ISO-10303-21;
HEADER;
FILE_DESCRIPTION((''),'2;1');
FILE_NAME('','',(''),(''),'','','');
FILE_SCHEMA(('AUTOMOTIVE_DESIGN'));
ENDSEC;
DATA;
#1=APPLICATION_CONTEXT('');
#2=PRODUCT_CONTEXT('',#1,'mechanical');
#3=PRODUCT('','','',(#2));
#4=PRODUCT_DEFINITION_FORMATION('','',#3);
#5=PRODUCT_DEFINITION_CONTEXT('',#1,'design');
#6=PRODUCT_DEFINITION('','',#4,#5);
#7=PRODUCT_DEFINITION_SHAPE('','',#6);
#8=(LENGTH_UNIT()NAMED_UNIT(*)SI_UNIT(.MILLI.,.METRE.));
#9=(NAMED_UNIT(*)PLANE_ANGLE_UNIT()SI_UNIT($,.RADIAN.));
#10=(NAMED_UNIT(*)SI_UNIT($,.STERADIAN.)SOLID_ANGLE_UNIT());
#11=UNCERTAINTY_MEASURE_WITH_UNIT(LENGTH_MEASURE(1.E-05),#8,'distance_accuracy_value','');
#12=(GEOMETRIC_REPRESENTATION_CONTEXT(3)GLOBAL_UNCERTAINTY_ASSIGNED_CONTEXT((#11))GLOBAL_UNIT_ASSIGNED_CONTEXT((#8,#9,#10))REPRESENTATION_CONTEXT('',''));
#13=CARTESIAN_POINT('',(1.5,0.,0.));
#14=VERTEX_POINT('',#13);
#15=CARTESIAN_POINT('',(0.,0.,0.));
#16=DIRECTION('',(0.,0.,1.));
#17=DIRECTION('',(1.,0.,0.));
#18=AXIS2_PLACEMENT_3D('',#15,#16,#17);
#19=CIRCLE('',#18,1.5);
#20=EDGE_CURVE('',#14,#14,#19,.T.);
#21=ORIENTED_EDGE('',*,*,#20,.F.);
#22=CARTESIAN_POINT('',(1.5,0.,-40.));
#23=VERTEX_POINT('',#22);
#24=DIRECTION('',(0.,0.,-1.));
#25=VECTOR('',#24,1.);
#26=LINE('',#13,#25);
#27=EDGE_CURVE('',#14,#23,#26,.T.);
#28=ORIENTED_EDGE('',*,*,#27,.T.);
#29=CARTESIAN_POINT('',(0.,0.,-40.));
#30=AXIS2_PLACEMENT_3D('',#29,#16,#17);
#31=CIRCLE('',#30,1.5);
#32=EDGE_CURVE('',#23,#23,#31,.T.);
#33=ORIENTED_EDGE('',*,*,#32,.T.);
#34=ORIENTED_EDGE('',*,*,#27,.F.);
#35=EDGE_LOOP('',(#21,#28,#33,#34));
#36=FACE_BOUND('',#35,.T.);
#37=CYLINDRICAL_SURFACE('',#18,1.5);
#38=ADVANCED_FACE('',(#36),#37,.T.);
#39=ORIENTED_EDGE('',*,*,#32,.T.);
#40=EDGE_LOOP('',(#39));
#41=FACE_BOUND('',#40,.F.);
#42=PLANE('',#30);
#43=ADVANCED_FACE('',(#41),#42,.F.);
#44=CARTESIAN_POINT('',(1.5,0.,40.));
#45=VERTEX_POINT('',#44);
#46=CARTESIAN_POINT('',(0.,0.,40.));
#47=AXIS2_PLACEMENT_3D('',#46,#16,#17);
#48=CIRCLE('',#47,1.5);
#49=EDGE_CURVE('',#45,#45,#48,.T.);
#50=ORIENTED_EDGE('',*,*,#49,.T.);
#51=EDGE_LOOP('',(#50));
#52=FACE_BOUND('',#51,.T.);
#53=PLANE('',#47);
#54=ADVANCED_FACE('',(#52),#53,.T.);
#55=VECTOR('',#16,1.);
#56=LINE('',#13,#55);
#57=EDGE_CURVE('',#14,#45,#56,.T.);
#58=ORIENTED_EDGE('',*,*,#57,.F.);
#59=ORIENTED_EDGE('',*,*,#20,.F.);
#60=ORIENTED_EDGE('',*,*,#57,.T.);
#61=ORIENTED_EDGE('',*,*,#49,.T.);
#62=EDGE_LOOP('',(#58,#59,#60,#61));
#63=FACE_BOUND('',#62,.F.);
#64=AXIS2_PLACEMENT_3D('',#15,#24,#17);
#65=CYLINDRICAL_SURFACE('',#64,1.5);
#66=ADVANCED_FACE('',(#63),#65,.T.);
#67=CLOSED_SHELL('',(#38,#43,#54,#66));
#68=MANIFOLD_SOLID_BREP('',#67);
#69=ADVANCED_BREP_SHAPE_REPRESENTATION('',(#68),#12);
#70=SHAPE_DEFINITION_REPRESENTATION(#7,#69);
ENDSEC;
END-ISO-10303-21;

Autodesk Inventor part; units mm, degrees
ref_plane "YZ Plane" through (0, 0, 0) normal (1, 0, 0) x (0, 1, 0)
ref_plane "XZ Plane" through (0, 0, 0) normal (0, 1, 0) x (-1, 0, 0)
ref_plane "XY Plane" through (0, 0, 0) normal (0, 0, 1) x (1, 0, 0)
sketch "スケッチ1" plane through (0, 0, 0) normal (0, 0, 1) x (1, 0, 0)
  circle A0 centre (0, 0) radius 1.5
  dimension "d0" = 3
extrude "押し出し1" add sketch "スケッチ1" along normal mid plane 80
properties part number "shaft_leg"
